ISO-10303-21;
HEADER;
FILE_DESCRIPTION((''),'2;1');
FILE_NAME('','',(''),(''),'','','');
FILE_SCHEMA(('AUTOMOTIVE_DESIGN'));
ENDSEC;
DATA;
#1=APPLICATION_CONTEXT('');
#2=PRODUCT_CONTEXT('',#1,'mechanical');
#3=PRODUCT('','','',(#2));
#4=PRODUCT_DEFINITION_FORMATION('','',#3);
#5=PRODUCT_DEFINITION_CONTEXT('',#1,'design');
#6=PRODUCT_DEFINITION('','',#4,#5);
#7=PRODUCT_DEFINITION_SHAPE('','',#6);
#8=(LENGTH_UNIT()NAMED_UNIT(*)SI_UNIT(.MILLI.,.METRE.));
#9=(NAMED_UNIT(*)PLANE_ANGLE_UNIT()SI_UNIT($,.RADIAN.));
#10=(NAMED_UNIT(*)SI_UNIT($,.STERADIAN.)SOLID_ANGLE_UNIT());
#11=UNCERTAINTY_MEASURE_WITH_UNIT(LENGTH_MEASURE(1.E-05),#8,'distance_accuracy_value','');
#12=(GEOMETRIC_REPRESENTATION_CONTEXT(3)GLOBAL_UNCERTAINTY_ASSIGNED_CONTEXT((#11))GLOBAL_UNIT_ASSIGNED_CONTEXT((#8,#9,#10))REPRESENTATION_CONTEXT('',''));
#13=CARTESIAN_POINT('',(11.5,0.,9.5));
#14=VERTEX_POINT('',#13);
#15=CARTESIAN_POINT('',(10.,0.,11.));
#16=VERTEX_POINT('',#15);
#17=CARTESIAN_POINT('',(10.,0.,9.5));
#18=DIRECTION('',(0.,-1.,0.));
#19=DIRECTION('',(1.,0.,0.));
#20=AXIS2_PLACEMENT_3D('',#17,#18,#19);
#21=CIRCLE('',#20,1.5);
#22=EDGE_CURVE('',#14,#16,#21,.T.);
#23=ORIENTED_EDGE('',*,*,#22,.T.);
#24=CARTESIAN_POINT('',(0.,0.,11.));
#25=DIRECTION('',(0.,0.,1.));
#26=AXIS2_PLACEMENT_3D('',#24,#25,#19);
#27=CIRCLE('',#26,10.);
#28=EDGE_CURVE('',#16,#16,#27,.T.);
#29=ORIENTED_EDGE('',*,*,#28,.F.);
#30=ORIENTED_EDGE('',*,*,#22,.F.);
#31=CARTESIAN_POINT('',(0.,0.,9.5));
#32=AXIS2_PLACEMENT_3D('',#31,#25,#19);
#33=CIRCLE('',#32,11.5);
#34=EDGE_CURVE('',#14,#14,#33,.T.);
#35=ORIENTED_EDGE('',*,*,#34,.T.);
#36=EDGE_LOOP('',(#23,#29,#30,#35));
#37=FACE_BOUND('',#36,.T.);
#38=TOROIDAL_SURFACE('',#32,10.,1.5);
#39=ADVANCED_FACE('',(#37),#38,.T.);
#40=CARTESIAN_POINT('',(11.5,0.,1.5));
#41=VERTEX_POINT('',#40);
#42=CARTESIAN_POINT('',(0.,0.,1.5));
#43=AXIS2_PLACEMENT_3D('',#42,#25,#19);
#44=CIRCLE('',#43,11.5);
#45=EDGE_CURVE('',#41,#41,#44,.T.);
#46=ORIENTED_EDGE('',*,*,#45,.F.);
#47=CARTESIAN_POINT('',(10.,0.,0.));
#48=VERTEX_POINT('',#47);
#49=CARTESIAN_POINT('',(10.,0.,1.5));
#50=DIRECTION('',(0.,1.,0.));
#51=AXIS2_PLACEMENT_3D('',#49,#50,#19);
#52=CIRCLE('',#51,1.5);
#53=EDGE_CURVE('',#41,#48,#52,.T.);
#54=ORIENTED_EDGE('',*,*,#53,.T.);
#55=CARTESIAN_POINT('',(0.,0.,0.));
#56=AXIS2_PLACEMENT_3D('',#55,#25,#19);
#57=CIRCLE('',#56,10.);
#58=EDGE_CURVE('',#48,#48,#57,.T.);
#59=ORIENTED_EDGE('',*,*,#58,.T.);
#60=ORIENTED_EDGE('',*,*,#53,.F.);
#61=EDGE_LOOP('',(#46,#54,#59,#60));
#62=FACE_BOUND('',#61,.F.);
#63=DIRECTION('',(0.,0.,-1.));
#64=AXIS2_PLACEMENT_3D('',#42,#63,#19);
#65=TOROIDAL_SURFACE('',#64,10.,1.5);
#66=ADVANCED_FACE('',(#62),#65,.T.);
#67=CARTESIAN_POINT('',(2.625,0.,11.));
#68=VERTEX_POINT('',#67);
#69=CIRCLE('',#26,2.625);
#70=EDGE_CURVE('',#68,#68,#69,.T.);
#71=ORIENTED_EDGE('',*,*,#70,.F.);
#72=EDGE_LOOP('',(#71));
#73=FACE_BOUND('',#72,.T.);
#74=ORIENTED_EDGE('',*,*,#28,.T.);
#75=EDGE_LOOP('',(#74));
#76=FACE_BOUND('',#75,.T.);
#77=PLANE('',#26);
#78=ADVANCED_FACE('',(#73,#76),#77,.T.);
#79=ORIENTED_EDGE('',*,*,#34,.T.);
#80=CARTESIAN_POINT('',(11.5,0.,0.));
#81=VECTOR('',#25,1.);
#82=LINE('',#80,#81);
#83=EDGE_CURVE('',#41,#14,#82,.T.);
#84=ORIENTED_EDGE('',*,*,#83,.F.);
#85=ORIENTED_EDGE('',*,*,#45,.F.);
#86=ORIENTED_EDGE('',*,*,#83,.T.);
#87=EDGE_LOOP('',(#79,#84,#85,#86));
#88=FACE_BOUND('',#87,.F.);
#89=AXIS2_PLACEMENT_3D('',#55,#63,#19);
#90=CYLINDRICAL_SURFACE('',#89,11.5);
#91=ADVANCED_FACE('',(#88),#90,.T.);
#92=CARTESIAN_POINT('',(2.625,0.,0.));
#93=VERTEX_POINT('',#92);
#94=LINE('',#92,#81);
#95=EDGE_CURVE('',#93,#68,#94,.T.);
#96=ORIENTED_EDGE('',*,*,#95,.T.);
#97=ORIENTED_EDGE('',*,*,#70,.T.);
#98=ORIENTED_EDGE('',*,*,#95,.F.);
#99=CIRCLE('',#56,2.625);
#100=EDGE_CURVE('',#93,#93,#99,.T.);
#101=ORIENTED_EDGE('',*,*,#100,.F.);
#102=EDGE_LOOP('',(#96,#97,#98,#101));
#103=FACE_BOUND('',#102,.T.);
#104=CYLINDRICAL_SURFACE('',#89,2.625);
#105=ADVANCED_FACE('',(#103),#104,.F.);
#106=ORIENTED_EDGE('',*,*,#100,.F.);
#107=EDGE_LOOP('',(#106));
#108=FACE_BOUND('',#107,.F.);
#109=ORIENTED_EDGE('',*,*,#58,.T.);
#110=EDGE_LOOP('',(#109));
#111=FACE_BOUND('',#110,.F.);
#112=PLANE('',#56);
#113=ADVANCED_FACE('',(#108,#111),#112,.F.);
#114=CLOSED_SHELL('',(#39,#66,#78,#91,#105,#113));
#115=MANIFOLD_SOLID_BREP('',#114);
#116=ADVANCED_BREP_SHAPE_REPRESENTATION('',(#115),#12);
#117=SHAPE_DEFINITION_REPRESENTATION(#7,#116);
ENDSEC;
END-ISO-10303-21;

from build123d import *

# Parameters (mm, degrees)
F0_R     = 11.5
F0_R_2   = 2.625
F1_DEPTH = 11
F2_R     = 1.5


with BuildPart() as f1:
    # F0 (on Top) → F1 (new body)
    with BuildSketch(Plane.XY):
        Circle(F0_R)
        Circle(F0_R_2, mode=Mode.SUBTRACT)
    extrude(amount=F1_DEPTH)

    # F2
    f2_edges = [f1.edges().sort_by_distance(p)[0] for p in [
        (-11.5, 0, 11),
        (-11.5, 0, 0),
    ]]
    fillet(f2_edges, radius=F2_R)


solid = f1.part
